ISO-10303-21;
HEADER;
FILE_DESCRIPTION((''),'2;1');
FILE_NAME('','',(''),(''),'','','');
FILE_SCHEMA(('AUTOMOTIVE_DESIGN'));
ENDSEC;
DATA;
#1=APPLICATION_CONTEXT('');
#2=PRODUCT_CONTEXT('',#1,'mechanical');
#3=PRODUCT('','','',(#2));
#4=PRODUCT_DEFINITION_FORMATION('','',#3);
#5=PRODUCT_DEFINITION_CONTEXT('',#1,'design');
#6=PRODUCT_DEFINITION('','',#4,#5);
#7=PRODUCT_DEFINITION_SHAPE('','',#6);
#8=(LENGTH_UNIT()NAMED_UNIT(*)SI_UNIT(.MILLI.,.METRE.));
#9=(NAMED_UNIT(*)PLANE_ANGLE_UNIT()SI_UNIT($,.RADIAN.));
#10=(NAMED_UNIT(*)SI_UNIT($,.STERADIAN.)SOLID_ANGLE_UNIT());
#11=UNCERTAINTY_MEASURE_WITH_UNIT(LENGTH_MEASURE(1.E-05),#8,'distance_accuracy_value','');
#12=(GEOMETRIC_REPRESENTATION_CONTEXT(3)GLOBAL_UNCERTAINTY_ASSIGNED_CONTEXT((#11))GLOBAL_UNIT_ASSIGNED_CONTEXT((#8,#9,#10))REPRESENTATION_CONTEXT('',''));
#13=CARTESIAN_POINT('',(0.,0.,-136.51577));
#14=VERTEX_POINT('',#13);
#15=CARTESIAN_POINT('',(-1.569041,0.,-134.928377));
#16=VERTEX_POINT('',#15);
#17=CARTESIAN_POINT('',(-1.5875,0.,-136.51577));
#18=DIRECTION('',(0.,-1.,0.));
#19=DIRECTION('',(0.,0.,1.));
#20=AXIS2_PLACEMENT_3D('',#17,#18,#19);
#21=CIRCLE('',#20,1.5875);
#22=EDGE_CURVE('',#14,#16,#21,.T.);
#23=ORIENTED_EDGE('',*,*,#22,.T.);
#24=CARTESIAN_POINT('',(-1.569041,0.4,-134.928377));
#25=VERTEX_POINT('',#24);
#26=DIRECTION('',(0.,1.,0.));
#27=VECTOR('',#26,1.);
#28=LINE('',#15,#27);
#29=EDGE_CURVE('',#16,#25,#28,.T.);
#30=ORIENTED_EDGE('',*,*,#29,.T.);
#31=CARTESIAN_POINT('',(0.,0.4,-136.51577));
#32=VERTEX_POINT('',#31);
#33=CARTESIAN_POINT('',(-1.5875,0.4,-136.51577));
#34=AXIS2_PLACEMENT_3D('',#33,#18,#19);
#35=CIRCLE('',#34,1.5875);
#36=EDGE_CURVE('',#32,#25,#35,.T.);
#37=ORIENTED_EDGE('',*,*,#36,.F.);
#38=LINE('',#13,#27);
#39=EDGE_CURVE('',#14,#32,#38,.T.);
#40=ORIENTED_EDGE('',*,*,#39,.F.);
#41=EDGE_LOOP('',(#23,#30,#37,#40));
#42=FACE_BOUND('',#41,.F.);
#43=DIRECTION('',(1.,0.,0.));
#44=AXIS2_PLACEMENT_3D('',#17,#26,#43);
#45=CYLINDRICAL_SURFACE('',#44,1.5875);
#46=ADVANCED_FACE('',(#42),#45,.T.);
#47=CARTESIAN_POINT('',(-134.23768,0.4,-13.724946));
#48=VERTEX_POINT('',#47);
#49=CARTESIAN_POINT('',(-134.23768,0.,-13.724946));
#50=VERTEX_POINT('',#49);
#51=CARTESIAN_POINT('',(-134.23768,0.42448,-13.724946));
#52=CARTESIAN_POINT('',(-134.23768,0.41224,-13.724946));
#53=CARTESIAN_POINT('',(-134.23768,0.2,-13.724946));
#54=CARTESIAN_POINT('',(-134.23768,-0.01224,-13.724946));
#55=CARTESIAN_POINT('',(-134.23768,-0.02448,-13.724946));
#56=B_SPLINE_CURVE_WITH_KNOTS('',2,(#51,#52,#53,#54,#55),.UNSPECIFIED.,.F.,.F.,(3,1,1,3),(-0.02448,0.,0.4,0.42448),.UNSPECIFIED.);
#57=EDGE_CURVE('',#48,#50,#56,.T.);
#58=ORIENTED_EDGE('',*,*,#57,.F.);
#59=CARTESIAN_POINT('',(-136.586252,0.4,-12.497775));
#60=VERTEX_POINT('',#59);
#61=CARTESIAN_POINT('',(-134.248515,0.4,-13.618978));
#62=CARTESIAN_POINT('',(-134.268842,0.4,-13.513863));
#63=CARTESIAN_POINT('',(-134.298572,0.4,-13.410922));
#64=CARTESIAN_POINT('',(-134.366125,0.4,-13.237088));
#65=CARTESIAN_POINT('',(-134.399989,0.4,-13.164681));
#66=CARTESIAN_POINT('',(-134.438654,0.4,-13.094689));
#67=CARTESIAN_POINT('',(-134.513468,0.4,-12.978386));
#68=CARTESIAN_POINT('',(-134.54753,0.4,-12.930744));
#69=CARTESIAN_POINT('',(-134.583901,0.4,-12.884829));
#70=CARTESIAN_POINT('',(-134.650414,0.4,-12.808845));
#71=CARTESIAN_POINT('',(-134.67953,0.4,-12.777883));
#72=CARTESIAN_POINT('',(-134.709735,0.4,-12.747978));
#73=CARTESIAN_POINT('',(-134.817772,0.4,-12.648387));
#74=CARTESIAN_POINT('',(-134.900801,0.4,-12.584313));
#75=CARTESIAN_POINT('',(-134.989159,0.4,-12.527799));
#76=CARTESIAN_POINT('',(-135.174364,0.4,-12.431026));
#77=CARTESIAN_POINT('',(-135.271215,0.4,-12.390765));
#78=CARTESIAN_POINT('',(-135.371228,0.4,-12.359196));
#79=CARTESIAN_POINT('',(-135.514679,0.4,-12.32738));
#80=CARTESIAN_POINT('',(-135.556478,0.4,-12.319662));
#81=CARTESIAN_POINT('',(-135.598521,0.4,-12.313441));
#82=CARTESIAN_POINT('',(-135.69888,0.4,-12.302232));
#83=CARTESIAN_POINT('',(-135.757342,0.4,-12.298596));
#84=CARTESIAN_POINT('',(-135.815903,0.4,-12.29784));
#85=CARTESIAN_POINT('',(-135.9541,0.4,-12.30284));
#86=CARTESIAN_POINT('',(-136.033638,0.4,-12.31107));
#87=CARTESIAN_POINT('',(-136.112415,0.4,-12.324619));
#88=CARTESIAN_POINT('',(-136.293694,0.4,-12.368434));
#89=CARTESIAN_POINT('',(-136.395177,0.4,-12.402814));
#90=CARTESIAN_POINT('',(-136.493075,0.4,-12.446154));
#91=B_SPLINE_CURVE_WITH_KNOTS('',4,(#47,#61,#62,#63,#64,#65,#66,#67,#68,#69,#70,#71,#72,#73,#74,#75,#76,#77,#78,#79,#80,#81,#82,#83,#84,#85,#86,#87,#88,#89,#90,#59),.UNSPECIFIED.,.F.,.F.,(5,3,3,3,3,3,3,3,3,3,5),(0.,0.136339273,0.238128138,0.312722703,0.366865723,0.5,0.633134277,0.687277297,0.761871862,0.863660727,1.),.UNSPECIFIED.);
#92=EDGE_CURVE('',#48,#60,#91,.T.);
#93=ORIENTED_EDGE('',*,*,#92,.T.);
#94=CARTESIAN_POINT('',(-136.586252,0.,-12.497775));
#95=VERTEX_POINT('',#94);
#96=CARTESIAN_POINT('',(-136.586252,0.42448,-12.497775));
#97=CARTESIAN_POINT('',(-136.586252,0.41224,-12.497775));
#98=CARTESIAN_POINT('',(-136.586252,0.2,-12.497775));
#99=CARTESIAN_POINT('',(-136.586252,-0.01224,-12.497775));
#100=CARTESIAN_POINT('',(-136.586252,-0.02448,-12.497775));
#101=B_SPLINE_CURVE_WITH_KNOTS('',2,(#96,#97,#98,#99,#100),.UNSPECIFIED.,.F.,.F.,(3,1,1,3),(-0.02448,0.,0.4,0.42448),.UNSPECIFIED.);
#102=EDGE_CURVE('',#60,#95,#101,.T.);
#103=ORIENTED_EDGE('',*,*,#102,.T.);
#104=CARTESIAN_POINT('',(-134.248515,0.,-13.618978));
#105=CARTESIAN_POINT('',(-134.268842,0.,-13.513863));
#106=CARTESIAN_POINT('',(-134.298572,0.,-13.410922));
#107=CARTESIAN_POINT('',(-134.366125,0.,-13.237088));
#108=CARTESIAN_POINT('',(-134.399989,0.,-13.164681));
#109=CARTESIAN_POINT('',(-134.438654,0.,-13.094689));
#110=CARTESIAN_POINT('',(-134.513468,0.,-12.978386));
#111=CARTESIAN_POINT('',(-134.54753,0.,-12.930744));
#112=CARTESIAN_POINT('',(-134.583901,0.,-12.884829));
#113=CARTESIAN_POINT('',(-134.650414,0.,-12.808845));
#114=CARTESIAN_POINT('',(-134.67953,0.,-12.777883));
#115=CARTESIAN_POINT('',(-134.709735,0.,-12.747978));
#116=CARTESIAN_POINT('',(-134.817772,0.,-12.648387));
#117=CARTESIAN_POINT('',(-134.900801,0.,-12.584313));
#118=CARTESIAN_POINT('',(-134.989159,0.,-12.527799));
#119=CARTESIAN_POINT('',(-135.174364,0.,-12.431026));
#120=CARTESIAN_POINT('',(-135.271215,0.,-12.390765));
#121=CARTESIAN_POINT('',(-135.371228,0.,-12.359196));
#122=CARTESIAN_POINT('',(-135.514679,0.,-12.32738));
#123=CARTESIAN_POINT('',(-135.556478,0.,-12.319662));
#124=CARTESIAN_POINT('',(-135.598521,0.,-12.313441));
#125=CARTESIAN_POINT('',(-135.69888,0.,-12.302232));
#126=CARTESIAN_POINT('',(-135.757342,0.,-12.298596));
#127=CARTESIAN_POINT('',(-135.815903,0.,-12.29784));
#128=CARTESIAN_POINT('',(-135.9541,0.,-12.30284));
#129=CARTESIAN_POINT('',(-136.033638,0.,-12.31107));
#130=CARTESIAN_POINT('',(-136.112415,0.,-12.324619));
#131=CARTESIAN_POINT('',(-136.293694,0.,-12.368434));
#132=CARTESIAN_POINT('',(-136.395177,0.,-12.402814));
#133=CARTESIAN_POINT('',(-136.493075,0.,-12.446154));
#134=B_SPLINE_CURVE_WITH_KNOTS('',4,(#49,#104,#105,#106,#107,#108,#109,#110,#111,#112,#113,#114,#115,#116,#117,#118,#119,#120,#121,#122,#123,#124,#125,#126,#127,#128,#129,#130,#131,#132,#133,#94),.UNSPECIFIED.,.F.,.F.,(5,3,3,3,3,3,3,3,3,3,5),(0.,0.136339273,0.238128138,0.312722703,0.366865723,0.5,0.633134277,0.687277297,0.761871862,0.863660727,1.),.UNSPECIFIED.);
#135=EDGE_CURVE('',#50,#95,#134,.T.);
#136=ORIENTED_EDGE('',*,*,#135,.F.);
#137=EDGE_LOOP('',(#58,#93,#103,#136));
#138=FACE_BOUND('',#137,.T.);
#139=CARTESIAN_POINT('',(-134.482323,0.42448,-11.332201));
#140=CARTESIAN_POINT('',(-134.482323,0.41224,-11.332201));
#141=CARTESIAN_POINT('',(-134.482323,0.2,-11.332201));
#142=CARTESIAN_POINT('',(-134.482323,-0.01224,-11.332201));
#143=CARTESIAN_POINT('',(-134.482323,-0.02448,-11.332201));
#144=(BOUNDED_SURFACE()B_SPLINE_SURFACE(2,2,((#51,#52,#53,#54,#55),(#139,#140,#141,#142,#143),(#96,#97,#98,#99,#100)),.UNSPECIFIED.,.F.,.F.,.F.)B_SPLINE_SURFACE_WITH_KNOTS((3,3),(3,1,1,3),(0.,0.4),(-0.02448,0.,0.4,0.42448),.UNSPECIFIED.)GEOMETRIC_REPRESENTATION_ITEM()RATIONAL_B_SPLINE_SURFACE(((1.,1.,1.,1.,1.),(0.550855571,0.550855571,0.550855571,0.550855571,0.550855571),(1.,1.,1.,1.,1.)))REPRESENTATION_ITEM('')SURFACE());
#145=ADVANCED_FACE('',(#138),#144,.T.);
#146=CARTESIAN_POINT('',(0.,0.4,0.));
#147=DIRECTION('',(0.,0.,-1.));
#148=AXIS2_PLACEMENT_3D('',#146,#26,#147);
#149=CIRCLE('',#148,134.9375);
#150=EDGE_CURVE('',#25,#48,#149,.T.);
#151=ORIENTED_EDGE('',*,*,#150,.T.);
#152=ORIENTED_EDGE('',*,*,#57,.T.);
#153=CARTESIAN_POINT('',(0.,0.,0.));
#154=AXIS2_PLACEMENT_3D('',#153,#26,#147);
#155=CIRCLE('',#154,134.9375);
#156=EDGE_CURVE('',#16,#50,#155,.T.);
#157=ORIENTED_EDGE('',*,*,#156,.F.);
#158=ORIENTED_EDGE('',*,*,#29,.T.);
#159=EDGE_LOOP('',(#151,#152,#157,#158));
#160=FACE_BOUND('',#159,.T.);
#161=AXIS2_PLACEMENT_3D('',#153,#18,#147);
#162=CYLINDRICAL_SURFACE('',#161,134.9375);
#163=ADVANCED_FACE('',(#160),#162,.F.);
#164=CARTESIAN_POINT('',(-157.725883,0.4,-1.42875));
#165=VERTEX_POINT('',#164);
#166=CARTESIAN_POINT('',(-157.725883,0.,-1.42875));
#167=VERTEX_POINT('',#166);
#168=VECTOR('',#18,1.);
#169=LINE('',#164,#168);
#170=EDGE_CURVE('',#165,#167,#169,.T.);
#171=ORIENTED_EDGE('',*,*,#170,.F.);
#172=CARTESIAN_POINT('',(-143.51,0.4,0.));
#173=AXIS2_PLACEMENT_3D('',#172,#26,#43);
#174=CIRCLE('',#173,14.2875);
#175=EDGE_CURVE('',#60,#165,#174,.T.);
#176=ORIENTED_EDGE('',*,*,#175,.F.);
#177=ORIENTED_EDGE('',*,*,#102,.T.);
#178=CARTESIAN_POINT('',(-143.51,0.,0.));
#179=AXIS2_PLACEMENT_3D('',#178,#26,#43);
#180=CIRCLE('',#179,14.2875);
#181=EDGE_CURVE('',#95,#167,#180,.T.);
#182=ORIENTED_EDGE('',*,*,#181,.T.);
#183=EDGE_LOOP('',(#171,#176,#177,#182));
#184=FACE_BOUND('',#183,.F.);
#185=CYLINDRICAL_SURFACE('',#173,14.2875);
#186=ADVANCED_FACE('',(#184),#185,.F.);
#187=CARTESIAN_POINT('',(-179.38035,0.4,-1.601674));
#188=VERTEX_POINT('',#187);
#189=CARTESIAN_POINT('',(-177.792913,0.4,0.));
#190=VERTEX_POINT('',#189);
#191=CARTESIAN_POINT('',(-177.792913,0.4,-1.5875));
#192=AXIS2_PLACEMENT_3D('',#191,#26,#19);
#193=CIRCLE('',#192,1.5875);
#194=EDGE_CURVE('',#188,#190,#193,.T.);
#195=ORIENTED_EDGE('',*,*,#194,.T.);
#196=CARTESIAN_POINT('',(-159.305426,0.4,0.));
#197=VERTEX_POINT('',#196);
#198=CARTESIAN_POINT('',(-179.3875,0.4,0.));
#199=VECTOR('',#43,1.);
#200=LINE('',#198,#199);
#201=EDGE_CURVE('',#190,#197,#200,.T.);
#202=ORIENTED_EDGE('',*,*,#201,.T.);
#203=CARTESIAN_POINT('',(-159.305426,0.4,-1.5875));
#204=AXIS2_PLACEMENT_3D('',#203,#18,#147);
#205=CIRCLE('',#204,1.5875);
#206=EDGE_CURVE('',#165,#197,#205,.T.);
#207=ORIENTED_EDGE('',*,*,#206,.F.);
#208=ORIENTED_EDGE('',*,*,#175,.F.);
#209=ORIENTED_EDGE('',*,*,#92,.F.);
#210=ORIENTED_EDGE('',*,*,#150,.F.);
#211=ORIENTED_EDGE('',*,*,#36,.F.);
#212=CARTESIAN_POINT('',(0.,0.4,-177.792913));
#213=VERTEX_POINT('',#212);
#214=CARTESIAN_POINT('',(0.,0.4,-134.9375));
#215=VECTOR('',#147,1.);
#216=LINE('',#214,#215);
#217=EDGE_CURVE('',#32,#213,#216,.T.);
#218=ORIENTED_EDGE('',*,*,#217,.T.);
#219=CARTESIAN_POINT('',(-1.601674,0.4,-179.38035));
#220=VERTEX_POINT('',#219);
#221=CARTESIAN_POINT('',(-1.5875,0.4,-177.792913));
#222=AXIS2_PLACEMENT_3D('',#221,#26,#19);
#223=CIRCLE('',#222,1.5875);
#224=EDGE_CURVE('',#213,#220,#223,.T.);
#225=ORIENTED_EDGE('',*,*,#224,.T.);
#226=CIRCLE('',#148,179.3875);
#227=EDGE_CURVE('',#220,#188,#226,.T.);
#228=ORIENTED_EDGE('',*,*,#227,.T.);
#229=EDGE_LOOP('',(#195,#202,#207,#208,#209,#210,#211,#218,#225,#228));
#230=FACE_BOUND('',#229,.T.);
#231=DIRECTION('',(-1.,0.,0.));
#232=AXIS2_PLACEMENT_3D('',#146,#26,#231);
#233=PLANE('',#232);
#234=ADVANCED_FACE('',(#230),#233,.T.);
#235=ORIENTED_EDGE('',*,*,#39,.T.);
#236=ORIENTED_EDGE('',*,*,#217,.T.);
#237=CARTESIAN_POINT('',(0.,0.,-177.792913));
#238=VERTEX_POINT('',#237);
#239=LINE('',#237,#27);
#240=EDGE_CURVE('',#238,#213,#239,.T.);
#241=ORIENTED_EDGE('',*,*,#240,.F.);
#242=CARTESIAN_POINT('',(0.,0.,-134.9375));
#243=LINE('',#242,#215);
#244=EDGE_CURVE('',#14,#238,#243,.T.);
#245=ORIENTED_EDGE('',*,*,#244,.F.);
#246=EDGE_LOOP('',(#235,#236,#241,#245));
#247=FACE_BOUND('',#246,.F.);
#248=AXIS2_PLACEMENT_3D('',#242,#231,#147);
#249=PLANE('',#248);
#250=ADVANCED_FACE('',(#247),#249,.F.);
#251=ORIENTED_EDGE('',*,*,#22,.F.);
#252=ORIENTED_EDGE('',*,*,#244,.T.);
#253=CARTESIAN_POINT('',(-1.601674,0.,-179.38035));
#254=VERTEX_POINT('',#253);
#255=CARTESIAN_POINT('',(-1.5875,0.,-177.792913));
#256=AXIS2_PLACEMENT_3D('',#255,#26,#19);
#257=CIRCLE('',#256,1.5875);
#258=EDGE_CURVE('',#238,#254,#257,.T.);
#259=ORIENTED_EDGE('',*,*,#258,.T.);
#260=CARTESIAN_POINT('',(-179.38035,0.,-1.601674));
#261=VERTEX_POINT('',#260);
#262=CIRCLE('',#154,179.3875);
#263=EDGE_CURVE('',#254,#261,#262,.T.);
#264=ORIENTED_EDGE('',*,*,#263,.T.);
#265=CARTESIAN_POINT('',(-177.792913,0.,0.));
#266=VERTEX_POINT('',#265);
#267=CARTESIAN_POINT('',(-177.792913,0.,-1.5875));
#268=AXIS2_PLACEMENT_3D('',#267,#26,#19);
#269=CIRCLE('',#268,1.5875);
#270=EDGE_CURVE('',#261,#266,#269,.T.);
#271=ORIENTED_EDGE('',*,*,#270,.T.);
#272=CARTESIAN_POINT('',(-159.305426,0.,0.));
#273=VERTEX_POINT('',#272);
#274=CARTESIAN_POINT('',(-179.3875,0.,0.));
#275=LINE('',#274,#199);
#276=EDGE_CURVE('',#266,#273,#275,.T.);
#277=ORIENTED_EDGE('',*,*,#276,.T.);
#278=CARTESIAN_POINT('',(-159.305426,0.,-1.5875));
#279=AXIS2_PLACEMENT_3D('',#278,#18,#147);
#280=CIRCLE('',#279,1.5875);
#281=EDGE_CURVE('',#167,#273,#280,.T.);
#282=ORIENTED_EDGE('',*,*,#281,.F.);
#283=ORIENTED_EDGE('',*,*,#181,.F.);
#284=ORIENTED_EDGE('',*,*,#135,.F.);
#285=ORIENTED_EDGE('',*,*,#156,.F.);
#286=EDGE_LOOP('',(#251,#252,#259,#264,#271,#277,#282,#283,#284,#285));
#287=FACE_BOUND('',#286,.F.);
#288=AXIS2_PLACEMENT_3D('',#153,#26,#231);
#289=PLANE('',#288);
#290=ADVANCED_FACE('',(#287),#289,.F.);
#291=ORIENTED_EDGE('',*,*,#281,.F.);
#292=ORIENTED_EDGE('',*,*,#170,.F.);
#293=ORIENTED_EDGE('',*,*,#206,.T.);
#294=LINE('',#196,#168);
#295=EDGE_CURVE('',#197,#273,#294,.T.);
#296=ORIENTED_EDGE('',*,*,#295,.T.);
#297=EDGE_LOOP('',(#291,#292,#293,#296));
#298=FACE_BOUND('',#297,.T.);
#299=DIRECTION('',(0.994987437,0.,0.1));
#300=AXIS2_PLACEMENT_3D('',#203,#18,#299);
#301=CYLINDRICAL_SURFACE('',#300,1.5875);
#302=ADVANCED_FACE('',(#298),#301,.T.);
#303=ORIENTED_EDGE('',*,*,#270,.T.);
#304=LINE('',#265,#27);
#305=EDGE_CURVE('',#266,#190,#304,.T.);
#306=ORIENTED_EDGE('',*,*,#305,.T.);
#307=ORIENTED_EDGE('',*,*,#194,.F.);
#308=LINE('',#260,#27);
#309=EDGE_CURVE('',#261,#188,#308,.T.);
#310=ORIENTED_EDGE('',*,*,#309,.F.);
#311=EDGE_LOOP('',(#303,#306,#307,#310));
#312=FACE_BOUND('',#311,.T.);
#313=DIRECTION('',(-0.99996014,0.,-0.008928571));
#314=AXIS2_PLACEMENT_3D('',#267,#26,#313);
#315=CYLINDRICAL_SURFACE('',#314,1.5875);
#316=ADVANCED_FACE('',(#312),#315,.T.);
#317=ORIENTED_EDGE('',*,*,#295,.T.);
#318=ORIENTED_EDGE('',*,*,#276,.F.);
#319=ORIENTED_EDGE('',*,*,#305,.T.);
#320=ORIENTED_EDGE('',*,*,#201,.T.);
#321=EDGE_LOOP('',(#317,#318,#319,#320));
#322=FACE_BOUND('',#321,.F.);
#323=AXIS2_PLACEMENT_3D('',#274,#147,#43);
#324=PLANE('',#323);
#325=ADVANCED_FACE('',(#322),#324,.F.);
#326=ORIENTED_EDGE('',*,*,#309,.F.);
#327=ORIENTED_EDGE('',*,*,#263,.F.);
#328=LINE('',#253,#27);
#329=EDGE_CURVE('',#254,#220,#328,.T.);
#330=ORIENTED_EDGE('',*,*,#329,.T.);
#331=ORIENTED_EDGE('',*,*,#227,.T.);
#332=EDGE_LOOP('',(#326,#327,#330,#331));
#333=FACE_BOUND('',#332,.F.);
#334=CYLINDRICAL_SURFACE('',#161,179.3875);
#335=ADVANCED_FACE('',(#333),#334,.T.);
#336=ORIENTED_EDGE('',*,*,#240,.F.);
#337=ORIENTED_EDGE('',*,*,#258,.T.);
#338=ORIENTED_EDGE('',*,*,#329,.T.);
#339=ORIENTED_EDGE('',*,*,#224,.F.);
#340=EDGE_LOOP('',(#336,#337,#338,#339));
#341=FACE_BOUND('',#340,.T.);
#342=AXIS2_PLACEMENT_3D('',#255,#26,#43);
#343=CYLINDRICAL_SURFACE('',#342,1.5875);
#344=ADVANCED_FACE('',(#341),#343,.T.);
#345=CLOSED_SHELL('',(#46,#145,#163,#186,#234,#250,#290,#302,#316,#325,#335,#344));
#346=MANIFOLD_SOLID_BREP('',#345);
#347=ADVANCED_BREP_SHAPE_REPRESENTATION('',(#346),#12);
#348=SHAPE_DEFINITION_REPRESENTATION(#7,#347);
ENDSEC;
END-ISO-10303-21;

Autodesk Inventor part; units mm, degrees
ref_plane "YZ Plane" through (0, 0, 0) normal (1, 0, 0) x (0, 1, 0)
ref_plane "XZ Plane" through (0, 0, 0) normal (0, 1, 0) x (-1, 0, 0)
ref_plane "XY Plane" through (0, 0, 0) normal (0, 0, 1) x (1, 0, 0)
sketch "Sketch1" plane through (0, 0, 0) normal (0, 1, 0) x (-1, 0, 0)
  arc A0 (0, -179.3875) -> (179.3875, 0) centre (0, 0) ccw
  arc A1 (0, -134.9375) -> (134.9375, 0) centre (0, 0) ccw
  line L0 (179.3875, 0) -> (134.9375, 0)
  line L1 (0, -134.9375) -> (0, -179.3875)
  point P0 (0, -157.1625)
  point P1 (157.1625, 0)
  dimension "d0" = 179.3875
  dimension "d1" = 134.9375
extrude "Extrusion1" add sketch "Sketch1" along normal blind 0.4
sketch "Sketch2" plane through (0, 0.4, 0) normal (0, 1, 0) x (1, 0, 0)
  line L0 (-179.3875, 0) -> (-134.9375, 0) projected
  circle A0 centre (-143.51, 0) radius 14.2875
  point P0 (0, 0)
  dimension "d4" = 143.51
  dimension "d5" = 28.575
extrude "Extrusion2" cut sketch "Sketch2" against normal through all
fillet "Fillet1" radius 1.5875 5 edges at (-134.4823, 0.2, -11.074) (-157.7975, 0.2, 0) (-179.3875, 0.2, 0) (0, 0.2, -134.9375) (0, 0.2, -179.3875)
properties part number "3DPRINT,CABLE,GUARD" material "ABS Plastic"
